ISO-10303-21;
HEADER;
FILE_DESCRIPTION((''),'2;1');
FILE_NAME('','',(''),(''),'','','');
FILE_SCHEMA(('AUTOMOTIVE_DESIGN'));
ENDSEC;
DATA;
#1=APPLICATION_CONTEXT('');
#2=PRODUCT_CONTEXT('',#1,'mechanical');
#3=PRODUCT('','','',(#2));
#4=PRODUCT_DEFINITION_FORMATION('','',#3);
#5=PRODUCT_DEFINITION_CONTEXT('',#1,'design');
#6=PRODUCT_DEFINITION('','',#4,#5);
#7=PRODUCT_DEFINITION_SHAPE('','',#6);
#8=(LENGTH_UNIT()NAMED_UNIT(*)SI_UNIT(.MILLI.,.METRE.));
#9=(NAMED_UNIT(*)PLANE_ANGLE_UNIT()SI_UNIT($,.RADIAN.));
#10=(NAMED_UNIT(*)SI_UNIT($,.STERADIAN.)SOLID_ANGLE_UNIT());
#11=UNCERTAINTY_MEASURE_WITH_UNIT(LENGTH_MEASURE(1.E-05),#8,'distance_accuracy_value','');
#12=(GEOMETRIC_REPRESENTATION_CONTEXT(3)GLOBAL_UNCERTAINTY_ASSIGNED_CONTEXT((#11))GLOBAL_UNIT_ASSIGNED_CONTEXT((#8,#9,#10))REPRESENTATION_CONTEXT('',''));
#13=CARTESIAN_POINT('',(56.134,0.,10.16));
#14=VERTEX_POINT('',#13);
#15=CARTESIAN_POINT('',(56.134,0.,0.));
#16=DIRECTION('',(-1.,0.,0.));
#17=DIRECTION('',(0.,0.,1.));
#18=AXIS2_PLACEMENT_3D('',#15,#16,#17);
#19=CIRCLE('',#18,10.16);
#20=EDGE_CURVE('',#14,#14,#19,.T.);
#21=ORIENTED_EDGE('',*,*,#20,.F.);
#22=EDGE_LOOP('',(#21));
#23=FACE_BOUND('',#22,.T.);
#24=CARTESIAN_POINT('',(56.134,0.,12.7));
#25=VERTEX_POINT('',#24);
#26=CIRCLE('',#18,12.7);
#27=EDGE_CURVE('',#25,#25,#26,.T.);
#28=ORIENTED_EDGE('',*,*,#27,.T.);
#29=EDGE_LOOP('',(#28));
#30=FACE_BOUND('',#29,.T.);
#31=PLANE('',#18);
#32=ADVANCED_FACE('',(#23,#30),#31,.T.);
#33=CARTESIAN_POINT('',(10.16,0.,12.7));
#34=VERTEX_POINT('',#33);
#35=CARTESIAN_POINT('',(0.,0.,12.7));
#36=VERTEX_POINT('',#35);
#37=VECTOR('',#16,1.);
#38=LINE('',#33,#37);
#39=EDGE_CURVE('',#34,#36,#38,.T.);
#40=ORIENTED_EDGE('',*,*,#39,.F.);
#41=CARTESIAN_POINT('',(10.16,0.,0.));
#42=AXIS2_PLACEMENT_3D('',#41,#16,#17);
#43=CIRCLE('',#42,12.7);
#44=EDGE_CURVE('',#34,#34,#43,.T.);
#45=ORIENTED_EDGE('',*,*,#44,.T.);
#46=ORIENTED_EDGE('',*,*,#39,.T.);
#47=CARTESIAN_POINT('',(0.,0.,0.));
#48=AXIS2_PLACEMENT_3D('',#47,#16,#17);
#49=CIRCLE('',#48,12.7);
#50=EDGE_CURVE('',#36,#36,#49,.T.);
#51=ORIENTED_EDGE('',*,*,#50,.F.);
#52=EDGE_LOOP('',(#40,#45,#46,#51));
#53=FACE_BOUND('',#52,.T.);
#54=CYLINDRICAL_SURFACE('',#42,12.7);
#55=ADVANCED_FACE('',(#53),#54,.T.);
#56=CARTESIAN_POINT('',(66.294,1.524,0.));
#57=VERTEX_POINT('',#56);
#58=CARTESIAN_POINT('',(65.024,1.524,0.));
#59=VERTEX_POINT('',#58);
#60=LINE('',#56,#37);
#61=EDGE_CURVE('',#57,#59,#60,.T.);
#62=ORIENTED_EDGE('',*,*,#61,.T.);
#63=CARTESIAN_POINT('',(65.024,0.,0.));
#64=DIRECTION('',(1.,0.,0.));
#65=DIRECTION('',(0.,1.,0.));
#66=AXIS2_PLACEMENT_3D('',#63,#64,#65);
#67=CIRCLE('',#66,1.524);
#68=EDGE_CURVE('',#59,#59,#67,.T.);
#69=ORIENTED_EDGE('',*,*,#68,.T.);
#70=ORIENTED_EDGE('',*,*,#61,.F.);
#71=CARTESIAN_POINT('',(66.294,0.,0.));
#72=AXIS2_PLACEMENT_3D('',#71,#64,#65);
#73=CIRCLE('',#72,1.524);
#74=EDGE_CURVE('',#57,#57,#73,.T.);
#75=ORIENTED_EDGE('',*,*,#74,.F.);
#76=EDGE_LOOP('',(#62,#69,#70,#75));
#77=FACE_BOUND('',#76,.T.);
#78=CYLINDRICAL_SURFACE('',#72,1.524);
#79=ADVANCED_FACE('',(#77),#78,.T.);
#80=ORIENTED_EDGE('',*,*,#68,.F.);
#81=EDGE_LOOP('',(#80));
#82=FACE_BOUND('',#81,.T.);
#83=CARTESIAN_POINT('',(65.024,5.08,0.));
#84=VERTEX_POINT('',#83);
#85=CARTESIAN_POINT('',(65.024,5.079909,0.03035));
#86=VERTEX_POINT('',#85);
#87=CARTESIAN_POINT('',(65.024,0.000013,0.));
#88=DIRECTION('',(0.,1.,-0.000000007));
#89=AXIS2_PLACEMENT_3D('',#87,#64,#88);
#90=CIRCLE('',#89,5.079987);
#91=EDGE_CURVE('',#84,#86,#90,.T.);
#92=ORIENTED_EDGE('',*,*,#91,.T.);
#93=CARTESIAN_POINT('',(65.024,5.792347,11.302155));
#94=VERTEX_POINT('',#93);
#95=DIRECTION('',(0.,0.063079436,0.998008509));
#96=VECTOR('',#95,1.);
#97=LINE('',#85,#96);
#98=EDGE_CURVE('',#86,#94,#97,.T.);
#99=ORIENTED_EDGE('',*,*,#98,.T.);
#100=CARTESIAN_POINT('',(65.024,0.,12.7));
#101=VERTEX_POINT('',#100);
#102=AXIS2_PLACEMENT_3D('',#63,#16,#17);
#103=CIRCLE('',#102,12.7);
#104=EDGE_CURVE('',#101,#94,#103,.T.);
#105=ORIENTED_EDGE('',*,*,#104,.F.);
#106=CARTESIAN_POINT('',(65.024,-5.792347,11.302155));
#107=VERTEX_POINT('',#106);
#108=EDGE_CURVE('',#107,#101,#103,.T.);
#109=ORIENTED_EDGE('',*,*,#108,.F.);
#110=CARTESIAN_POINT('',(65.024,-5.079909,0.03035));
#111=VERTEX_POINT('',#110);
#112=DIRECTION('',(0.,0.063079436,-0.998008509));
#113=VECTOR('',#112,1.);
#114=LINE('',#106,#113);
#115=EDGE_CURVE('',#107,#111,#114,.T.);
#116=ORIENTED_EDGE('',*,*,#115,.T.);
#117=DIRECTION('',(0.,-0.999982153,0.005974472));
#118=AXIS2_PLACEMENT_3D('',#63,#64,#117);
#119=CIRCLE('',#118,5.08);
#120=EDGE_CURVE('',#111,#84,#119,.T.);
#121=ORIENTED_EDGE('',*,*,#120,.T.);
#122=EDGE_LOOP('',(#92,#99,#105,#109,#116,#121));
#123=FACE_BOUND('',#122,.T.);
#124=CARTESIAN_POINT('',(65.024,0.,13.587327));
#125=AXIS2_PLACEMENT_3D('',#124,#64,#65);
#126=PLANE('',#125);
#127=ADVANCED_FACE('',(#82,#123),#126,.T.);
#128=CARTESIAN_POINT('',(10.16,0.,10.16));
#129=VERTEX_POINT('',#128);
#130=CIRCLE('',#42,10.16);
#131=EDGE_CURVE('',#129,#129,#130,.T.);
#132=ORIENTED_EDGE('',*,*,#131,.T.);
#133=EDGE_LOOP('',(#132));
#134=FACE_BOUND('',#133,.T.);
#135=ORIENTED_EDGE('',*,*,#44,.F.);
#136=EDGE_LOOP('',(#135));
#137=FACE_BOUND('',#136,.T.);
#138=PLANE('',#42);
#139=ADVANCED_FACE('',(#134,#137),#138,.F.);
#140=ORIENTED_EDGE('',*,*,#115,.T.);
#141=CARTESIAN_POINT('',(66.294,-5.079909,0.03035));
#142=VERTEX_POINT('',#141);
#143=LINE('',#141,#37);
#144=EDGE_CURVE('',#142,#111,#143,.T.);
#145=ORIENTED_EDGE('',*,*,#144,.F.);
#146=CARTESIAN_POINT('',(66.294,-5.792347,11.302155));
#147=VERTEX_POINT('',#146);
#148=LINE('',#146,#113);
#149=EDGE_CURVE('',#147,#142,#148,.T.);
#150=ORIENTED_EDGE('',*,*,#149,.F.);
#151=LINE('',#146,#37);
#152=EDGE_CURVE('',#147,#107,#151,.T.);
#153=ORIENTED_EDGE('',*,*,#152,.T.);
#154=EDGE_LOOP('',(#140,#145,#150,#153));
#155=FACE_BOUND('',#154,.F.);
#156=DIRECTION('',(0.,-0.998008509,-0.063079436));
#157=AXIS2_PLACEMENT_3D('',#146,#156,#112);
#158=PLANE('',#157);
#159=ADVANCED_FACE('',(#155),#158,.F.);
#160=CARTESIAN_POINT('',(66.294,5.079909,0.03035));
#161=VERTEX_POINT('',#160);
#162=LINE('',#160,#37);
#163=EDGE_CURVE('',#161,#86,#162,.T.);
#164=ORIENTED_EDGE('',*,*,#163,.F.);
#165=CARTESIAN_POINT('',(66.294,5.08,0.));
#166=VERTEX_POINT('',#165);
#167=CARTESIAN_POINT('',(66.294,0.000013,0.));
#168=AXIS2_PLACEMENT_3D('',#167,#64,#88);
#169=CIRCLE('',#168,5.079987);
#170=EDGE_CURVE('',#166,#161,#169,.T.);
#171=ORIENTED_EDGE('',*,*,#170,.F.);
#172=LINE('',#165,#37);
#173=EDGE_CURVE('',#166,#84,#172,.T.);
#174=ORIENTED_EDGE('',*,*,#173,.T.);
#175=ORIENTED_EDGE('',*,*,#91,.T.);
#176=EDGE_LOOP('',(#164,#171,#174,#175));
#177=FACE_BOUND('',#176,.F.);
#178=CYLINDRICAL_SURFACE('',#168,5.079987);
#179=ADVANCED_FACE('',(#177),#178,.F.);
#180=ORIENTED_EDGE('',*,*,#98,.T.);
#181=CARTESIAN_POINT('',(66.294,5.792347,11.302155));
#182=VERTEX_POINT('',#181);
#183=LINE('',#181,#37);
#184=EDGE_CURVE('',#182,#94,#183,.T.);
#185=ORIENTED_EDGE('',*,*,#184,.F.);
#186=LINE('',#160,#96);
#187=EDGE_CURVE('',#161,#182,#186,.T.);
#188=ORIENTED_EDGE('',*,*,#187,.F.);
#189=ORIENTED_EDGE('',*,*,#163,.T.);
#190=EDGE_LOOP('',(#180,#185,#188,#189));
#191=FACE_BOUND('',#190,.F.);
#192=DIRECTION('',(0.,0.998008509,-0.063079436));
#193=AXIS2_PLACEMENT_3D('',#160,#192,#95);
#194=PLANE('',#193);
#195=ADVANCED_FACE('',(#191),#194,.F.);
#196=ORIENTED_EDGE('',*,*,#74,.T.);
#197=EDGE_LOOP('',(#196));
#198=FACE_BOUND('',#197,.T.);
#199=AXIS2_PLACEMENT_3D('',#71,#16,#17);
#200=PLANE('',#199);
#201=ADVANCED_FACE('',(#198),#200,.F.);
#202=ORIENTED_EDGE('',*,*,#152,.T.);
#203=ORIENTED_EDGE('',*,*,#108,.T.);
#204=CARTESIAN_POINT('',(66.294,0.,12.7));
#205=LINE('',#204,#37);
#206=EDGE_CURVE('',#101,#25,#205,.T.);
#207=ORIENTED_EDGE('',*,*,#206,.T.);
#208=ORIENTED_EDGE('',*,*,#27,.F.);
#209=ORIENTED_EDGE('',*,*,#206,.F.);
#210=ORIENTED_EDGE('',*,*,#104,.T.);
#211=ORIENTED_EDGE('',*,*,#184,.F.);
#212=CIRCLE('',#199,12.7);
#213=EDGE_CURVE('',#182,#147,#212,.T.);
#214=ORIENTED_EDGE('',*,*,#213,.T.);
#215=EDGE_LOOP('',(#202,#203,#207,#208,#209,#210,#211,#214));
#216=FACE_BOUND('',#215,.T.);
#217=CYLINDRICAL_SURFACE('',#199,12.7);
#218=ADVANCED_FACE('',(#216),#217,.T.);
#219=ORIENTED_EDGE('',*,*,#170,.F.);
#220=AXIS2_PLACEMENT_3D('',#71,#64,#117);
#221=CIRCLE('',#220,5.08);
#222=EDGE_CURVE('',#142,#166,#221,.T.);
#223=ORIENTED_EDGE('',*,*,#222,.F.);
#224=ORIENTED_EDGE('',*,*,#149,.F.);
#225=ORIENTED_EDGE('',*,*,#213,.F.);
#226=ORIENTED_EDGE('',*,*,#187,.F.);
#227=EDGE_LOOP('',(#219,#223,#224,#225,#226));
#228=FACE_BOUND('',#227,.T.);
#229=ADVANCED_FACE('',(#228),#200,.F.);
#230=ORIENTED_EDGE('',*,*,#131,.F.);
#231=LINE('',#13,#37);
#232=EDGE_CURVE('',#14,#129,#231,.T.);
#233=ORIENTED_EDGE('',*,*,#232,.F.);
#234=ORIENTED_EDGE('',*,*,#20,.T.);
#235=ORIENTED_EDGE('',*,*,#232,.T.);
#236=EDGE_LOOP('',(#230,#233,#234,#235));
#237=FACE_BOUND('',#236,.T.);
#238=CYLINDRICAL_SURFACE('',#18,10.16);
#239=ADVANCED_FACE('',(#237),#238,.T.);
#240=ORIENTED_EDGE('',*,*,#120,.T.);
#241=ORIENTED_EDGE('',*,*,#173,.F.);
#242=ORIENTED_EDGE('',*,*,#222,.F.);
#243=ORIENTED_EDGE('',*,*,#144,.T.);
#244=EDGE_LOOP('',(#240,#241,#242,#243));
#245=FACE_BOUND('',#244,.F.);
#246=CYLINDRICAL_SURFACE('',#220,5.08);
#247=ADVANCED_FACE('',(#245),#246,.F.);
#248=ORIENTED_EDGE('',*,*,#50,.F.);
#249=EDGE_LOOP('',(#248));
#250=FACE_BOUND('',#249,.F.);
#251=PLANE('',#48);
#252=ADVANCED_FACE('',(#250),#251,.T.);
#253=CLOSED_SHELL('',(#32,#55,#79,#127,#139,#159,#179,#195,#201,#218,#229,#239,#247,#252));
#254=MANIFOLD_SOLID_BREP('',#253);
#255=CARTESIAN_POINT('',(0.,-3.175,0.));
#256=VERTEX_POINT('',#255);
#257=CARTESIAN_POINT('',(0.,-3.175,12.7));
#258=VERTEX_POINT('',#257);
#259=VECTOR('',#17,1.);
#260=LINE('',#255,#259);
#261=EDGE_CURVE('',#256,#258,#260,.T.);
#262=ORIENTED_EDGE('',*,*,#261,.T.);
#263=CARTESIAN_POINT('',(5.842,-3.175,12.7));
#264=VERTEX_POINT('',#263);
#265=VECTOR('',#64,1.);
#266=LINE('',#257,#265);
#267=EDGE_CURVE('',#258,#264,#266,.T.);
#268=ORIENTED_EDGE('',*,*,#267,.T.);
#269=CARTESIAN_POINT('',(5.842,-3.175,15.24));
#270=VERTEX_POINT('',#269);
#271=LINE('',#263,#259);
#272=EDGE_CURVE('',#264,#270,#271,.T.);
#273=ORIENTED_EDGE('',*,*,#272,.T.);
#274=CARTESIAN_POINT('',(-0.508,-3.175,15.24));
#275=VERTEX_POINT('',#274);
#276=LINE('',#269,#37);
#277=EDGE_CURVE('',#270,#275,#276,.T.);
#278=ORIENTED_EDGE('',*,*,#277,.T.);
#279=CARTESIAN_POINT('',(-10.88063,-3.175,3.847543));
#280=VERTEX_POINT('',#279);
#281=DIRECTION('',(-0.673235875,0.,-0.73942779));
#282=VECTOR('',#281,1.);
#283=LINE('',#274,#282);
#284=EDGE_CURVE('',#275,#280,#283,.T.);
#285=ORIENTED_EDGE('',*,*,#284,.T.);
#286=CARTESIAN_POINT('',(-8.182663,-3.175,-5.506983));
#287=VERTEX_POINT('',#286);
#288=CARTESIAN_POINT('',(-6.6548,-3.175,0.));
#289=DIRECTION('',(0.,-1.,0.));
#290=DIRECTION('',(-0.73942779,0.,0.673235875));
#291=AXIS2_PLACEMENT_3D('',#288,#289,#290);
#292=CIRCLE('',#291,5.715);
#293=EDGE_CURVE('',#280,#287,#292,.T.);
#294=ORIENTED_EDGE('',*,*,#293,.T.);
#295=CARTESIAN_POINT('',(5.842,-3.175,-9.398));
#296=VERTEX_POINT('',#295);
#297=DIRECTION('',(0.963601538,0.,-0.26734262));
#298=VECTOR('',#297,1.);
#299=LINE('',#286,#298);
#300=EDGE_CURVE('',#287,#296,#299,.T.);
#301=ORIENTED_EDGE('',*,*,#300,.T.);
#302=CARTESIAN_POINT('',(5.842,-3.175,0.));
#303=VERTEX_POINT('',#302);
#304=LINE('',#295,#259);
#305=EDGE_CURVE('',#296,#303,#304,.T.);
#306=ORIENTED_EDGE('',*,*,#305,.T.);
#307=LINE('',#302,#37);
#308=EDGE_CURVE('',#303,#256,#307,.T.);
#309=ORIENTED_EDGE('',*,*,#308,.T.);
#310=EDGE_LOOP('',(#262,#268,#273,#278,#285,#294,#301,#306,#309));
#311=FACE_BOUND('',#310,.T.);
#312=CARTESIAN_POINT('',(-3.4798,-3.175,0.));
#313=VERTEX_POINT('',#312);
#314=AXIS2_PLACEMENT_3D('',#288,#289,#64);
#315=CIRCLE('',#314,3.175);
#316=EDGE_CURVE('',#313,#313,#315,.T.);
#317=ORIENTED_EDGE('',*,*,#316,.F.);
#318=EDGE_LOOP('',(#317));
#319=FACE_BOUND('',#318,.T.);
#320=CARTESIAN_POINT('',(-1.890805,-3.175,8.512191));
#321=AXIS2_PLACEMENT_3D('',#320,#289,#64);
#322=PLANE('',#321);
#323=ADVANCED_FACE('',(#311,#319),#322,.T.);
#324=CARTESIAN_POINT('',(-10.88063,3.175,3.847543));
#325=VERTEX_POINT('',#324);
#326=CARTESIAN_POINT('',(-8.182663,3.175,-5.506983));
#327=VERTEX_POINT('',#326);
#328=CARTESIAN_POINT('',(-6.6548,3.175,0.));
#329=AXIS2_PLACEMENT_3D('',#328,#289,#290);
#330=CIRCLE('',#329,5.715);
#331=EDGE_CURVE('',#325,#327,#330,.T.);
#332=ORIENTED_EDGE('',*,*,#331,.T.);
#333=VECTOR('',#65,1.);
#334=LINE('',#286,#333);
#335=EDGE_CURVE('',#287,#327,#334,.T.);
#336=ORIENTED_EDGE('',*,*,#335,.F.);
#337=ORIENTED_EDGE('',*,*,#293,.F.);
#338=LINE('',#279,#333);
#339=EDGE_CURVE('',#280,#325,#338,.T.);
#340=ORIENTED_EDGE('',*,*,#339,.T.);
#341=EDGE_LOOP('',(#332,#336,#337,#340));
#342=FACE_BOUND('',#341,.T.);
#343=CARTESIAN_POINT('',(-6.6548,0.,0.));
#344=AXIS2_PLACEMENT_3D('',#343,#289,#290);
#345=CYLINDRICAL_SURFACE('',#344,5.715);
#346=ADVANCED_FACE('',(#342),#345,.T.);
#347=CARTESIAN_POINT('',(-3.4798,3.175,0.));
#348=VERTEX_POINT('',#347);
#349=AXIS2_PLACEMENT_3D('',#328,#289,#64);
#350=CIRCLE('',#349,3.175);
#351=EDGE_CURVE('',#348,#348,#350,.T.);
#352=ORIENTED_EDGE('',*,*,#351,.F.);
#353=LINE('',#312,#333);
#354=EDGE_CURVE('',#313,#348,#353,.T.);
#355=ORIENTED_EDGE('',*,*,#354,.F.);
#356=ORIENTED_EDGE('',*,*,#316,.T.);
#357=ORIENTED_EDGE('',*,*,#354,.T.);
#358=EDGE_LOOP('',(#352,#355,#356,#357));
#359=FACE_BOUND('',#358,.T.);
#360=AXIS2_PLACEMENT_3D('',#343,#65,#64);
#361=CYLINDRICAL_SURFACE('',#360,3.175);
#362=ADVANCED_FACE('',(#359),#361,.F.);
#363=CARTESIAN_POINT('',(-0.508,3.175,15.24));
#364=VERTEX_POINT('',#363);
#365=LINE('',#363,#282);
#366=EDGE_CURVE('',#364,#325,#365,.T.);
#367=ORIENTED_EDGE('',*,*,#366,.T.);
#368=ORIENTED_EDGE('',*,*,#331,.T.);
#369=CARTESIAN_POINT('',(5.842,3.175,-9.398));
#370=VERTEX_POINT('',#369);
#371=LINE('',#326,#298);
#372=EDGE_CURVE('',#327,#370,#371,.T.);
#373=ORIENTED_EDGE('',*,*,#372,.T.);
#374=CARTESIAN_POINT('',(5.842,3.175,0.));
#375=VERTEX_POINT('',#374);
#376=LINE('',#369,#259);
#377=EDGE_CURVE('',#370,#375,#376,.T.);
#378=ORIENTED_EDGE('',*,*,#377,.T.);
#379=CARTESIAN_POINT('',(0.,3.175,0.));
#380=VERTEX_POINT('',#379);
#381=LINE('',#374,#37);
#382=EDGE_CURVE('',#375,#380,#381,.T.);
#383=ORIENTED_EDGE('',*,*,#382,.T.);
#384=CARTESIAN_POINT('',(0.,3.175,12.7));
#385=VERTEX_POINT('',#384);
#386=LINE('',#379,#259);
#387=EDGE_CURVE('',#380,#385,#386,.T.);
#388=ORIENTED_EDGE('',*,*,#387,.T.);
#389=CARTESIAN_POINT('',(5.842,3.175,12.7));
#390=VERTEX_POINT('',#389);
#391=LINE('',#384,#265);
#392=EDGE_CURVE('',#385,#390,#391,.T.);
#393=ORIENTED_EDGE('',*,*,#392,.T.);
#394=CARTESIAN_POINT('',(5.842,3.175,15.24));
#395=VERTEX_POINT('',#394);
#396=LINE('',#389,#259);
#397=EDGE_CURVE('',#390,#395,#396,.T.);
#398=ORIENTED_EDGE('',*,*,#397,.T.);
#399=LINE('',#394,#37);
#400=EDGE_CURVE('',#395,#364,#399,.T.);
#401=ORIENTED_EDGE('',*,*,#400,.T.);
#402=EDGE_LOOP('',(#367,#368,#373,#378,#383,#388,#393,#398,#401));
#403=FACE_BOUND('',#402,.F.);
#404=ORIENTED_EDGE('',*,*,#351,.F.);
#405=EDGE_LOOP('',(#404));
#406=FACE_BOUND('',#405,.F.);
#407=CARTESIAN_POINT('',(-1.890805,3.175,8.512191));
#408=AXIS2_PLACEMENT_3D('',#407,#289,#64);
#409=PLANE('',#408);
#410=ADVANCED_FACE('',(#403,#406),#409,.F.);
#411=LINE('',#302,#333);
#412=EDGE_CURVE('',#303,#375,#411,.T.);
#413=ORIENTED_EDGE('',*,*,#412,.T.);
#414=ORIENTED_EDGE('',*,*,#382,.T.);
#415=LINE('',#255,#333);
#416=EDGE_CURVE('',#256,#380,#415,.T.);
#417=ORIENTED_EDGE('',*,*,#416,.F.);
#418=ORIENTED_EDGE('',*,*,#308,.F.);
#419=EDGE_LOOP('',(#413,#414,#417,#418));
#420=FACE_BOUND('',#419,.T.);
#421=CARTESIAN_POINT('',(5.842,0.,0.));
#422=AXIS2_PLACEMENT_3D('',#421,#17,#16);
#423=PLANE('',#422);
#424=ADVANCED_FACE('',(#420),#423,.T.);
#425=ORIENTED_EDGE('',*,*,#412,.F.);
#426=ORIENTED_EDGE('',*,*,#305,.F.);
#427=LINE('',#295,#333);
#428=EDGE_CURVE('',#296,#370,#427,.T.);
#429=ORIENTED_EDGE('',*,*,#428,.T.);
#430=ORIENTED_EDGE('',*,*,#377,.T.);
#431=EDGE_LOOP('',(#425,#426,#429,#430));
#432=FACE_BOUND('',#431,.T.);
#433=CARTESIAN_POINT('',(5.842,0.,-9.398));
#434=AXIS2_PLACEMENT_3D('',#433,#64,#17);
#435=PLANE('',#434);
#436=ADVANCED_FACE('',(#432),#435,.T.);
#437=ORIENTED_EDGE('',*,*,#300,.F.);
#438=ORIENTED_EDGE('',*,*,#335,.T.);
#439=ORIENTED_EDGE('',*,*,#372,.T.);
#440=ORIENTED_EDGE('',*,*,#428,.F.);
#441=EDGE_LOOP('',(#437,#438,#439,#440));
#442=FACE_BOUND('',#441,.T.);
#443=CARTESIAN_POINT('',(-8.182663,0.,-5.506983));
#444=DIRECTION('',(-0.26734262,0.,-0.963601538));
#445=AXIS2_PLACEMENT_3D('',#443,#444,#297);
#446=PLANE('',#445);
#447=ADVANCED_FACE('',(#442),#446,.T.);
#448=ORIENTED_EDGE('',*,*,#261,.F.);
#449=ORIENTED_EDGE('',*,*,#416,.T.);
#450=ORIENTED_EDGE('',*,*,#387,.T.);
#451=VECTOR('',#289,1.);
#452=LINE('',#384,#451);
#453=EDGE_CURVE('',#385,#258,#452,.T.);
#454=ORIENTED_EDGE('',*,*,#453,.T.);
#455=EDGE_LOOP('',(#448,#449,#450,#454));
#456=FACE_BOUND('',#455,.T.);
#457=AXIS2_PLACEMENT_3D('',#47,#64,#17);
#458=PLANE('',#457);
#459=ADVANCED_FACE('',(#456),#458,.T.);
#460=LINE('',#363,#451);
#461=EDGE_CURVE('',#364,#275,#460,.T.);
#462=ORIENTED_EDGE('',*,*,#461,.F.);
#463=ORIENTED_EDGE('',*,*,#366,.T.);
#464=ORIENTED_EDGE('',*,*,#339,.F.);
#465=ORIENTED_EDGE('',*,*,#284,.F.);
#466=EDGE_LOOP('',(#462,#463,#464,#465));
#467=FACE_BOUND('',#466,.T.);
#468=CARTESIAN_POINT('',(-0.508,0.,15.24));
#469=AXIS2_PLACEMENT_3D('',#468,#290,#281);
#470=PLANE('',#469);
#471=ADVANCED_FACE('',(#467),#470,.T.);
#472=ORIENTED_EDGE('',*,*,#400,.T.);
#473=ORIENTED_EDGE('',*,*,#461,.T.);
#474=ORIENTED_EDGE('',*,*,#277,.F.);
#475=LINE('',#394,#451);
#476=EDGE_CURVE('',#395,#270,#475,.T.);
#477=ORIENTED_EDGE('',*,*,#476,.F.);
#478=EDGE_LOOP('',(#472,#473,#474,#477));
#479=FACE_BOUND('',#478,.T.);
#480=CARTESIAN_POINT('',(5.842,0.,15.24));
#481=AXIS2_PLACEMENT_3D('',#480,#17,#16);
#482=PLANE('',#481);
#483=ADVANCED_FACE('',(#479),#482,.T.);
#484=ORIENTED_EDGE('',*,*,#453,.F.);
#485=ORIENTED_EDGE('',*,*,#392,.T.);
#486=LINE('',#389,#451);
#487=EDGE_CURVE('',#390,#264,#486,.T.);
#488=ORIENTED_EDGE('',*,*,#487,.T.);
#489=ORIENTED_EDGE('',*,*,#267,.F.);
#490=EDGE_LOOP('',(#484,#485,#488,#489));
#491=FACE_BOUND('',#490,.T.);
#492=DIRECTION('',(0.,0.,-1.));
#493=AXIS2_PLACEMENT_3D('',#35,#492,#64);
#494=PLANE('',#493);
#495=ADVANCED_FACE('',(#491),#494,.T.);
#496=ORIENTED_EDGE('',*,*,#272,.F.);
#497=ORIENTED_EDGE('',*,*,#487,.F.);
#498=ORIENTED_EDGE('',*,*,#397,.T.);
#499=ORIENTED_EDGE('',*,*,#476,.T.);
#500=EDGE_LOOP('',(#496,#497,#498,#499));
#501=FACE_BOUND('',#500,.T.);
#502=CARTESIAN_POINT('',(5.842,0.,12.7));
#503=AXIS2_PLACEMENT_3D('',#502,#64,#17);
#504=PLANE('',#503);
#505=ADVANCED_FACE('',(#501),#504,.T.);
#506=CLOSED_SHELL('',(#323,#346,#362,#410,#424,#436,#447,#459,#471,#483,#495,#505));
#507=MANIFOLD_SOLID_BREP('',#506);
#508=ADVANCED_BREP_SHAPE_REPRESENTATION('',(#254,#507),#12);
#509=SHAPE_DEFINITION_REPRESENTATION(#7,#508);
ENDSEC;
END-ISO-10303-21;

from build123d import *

# Parameters (mm, degrees)
F0_R     = 3.175
F1_DEPTH = 3.175
F0_W     = 5.842
F0_H     = 12.7
F3_R     = 1.524
F4_DEPTH = 1.27


with BuildPart() as f1:
    # F0 (on Front) → F1 (new body, symmetric)
    with BuildSketch(Plane.XZ):
        with BuildLine():
            Line((-0.9398, 0), (0, 0))
            Line((0, 0), (0, 12.7))
            Line((0, 12.7), (5.842, 12.7))
            Line((5.842, 12.7), (5.842, 15.24))
            Line((5.842, 15.24), (-0.508, 15.24))
            Line((-0.508, 15.24), (-10.8806298187, 3.8475430269))
            ThreePointArc((-10.8806298187, 3.8475430269), (-4.5919612295, 5.3297205562), (-0.9398, 0))
        make_face()
        with BuildLine():
            Line((5.842, 0), (0, 0))
            Line((0, 0), (-0.9398, 0))
            ThreePointArc((-0.9398, 0), (-3.1957909266, -4.5493385486), (-8.1826630726, -5.5069827884))
            Line((-8.1826630726, -5.5069827884), (5.842, -9.398))
            Line((5.842, -9.398), (5.842, 0))
        make_face()
        with BuildLine():
            ThreePointArc((-8.1826630726, -5.5069827884), (-3.1957909266, -4.5493385486), (-0.9398, 0))
            ThreePointArc((-0.9398, 0), (-4.5919612295, 5.3297205562), (-10.8806298187, 3.8475430269))
            ThreePointArc((-10.8806298187, 3.8475430269), (-12.1459778134, -1.5837270034), (-8.1826630726, -5.5069827884))
        make_face()
        with Locations((-6.6548, 0)):
            Circle(F0_R, mode=Mode.SUBTRACT)
    extrude(amount=F1_DEPTH, both=True)


with BuildPart() as f2:
    # F0 (on Front) → F2 (revolve)
    with BuildSketch(Plane.XZ):
        with Locations((2.921, 6.35)):
            Rectangle(F0_W, F0_H)
        Polygon((5.842, 12.7), (5.842, 0), (66.294, 0), (66.294, 12.7), (56.134, 12.7), (56.134, 10.16), (10.16, 10.16), (10.16, 12.7), align=None)
    revolve(axis=Axis((33.147, 0, 0), (-1, 0, 0)))

    # F3 (on face) → F4 (cut)
    with BuildSketch(Plane.YZ.offset(66.294)):
        with BuildLine():
            ThreePointArc((-5.792347252, 11.3021552508), (0, 12.7), (5.792347252, 11.3021552508))
            Line((5.792347252, 11.3021552508), (6.0412399471, 15.24))
            Line((6.0412399471, 15.24), (-6.0412399471, 15.24))
            Line((-6.0412399471, 15.24), (-5.792347252, 11.3021552508))
        make_face()
        with BuildLine():
            ThreePointArc((-5.0799093356, 0.0303503178), (0, 5.08), (5.0799093356, 0.0303503178))
            Line((5.0799093356, 0.0303503178), (5.792347252, 11.3021552508))
            ThreePointArc((5.792347252, 11.3021552508), (0, 12.7), (-5.792347252, 11.3021552508))
            Line((-5.792347252, 11.3021552508), (-5.0799093356, 0.0303503178))
        make_face()
        with BuildLine():
            ThreePointArc((-5.0799093356, 0.0303503178), (-0.0151752266, -5.0799773339), (5.08, 0))
            ThreePointArc((5.08, 0), (5.0799773339, 0.0151752266), (5.0799093356, 0.0303503178))
            ThreePointArc((5.0799093356, 0.0303503178), (0, 5.08), (-5.0799093356, 0.0303503178))
        make_face()
        Circle(F3_R, mode=Mode.SUBTRACT)
    extrude(amount=-F4_DEPTH, mode=Mode.SUBTRACT)


solid = Compound([f1.part, f2.part])
